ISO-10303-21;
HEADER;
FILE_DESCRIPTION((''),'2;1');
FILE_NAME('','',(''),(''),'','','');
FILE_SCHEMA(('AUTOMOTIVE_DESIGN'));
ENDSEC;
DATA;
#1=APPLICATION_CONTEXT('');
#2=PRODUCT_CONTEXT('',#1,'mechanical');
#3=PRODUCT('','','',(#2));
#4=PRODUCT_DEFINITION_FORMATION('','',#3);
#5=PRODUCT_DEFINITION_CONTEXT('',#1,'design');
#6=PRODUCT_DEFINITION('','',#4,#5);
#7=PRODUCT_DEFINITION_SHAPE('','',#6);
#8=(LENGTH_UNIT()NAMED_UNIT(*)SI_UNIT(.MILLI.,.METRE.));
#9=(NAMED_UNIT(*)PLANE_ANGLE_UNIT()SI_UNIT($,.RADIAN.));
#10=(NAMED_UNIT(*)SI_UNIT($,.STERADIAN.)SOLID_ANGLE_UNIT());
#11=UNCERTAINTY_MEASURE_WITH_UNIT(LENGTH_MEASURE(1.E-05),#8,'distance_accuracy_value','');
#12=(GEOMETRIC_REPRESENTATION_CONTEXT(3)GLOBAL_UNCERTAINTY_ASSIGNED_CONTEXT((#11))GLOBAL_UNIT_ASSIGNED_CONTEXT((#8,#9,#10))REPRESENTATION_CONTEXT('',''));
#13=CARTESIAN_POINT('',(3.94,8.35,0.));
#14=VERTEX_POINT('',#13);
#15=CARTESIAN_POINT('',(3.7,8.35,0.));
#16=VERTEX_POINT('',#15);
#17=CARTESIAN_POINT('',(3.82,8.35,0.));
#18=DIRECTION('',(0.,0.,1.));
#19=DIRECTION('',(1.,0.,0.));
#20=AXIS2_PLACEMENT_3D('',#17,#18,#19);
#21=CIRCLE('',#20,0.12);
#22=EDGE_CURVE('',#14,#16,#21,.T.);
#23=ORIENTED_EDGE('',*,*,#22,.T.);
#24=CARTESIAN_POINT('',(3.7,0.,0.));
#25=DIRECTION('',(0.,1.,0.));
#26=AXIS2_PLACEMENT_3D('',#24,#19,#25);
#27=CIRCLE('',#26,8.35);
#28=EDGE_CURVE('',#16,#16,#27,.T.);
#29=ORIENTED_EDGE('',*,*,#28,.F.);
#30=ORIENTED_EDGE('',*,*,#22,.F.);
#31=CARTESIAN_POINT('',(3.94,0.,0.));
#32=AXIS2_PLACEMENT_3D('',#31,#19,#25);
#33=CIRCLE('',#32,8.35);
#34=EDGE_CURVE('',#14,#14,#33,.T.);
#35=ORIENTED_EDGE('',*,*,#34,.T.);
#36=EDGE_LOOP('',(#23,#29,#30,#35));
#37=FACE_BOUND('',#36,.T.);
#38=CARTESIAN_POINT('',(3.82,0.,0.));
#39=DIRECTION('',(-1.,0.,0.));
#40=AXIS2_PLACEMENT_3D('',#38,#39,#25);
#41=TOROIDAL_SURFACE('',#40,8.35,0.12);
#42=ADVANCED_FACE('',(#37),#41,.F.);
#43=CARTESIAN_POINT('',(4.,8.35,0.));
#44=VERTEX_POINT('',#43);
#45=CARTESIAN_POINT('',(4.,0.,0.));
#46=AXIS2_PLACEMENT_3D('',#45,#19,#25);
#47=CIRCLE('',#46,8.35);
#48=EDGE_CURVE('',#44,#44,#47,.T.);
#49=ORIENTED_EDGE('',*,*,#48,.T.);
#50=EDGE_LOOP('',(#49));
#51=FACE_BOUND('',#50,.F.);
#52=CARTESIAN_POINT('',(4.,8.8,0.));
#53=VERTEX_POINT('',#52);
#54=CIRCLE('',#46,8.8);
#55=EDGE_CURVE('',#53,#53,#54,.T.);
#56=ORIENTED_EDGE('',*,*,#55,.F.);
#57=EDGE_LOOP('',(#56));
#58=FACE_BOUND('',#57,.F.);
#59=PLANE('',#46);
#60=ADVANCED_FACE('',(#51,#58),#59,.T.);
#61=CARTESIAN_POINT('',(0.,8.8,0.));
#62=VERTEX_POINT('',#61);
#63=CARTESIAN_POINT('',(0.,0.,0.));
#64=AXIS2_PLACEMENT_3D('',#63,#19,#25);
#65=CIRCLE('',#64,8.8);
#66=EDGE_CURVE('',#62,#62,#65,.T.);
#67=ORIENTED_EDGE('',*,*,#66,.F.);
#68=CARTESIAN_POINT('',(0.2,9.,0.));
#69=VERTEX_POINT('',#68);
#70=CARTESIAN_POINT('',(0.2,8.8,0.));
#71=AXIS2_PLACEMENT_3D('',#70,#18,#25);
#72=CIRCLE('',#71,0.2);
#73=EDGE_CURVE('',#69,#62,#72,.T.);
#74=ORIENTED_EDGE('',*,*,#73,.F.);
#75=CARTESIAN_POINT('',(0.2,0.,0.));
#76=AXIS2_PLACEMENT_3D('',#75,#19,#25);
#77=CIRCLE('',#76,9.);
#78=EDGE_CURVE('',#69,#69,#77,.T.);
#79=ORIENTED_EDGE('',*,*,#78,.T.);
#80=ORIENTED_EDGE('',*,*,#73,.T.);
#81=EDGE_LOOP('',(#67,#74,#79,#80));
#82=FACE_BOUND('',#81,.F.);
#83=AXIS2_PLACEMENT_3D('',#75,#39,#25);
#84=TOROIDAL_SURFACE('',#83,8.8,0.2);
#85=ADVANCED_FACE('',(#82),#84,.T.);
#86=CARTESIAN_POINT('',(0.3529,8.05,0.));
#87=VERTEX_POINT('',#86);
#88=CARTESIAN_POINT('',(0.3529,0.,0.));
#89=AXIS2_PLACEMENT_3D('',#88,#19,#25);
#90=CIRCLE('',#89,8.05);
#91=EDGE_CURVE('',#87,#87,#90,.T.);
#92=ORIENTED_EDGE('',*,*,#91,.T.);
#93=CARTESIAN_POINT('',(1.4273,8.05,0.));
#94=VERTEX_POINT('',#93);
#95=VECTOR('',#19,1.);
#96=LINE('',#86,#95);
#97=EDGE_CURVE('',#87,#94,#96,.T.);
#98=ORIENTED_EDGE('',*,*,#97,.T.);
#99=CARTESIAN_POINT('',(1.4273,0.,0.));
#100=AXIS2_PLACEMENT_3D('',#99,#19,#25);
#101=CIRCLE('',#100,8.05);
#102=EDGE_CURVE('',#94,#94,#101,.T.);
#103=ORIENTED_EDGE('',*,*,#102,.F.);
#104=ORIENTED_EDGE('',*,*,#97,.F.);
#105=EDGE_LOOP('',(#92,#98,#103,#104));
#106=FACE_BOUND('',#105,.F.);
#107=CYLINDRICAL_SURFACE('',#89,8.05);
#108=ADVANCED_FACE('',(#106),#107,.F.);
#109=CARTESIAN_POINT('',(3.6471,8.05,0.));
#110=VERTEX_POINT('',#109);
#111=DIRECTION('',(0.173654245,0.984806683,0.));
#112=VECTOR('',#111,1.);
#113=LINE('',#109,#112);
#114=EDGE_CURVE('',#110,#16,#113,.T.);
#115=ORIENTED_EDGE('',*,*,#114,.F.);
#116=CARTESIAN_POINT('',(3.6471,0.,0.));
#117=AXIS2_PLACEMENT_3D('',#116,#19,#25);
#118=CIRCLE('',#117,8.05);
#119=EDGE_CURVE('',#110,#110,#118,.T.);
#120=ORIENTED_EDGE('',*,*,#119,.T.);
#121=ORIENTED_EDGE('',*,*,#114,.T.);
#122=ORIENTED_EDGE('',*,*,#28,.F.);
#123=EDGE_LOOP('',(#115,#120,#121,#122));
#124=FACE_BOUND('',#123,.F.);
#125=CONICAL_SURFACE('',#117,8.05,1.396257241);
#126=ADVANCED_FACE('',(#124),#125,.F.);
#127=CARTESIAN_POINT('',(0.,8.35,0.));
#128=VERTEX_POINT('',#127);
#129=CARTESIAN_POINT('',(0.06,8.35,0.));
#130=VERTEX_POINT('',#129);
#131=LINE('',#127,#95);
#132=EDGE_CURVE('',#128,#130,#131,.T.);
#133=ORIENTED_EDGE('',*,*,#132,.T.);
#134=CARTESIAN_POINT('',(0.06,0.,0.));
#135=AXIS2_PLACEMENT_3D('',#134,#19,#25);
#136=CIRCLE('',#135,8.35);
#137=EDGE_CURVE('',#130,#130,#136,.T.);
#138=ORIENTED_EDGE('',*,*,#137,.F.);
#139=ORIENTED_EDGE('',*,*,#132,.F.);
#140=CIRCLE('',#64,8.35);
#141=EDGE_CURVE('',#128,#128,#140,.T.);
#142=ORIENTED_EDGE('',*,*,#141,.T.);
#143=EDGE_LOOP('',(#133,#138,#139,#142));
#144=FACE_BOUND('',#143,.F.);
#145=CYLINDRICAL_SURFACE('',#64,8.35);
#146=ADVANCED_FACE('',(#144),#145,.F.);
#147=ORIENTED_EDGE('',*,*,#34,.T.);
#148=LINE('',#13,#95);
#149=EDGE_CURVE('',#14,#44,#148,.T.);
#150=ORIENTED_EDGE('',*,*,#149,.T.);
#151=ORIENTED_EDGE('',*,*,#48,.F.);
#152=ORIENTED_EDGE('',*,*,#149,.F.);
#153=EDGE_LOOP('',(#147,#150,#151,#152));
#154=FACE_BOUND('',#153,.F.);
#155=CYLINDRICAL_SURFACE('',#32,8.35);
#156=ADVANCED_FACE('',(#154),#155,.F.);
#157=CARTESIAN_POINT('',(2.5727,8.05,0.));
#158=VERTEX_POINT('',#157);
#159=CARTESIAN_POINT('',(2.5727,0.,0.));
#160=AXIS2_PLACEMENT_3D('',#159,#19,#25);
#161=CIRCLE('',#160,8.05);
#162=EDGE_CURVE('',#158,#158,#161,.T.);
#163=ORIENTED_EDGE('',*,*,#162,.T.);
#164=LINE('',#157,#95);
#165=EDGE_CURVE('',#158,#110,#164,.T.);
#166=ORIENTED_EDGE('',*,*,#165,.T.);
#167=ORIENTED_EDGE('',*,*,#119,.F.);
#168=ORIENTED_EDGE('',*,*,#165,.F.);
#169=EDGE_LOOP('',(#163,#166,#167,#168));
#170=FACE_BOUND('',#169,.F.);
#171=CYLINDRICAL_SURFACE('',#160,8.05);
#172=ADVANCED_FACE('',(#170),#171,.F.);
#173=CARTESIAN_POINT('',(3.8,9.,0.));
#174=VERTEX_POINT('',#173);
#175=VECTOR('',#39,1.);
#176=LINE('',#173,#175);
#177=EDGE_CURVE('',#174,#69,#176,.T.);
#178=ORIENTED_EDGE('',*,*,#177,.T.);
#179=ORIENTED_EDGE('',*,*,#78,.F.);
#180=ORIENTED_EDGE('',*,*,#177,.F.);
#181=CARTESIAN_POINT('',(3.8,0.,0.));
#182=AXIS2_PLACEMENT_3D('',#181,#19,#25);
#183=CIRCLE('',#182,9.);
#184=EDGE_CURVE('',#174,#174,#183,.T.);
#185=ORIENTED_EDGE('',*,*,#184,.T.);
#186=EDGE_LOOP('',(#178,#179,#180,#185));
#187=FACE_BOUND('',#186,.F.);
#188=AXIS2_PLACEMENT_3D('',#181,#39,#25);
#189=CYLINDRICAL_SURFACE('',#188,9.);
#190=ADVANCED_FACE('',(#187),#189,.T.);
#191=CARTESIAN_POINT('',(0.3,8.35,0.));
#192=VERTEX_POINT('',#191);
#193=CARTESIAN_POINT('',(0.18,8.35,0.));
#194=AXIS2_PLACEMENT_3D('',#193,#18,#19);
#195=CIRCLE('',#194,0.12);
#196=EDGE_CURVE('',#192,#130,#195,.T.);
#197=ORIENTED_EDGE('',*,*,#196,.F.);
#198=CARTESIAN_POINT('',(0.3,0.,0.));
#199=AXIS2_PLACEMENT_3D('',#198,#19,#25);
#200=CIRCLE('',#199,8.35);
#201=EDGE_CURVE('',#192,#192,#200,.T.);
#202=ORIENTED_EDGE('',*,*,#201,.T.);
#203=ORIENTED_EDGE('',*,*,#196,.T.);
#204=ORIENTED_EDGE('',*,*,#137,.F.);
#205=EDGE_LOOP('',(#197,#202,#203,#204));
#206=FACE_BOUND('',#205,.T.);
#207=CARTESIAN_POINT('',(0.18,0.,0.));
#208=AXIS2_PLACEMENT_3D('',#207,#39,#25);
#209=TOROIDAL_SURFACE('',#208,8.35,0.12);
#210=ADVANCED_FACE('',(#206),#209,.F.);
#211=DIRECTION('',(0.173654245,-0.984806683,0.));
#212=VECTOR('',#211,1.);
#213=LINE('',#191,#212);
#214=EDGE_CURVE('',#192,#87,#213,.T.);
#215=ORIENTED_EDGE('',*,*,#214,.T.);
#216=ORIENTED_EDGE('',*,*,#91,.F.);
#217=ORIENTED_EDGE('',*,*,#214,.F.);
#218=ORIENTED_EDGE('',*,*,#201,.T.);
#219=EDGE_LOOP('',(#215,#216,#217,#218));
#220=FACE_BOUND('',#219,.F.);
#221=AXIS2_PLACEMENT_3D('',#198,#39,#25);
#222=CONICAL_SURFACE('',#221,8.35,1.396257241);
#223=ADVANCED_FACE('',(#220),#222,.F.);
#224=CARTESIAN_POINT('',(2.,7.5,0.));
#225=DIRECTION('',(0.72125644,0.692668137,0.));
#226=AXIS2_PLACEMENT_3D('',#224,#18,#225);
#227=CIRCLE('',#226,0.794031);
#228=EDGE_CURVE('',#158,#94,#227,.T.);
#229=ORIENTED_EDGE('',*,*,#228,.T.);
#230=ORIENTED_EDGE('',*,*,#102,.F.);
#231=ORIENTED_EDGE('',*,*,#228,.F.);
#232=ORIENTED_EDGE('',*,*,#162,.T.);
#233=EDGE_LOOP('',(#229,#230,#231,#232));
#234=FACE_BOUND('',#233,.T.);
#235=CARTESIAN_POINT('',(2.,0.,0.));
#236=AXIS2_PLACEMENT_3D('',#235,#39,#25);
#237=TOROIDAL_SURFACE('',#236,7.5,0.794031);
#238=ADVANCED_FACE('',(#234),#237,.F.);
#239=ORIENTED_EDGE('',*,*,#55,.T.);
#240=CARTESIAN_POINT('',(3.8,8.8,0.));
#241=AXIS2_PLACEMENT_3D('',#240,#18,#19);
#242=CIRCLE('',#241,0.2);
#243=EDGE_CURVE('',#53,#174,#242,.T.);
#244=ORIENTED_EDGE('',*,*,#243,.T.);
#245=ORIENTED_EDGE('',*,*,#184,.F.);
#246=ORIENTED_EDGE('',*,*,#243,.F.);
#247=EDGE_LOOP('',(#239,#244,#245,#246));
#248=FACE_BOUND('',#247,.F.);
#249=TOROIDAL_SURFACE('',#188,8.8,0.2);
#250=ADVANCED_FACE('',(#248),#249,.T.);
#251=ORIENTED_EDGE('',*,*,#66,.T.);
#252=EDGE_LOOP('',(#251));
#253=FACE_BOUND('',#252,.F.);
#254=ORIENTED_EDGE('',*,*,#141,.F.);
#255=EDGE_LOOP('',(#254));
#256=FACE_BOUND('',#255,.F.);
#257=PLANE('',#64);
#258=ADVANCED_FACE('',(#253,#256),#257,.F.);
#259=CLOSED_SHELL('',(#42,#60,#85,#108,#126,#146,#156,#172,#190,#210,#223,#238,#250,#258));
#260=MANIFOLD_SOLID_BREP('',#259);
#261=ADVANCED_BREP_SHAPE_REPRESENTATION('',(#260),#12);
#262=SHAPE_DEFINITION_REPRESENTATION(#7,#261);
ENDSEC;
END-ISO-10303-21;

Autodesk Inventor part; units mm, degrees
ref_plane "YZ Plane" through (0, 0, 0) normal (1, 0, 0) x (0, 1, 0)
ref_plane "XZ Plane" through (0, 0, 0) normal (0, 1, 0) x (-1, 0, 0)
ref_plane "XY Plane" through (0, 0, 0) normal (0, 0, 1) x (1, 0, 0)
sketch "Sketch_16" plane through (0, 0, 0) normal (0, 0, 1) x (1, 0, 0)
  line L0 (50, 0) -> (-50, 0)
  line L1 (0, 8.35) -> (0.06, 8.35)
  arc A0 (0.3, 8.35) -> (0.06, 8.35) centre (0.18, 8.35) ccw
  line L2 (0.3, 8.35) -> (0.3529, 8.05)
  line L3 (0.3529, 8.05) -> (1.4273, 8.05)
  arc A1 (2.5727, 8.05) -> (1.4273, 8.05) centre (2, 7.5) ccw
  line L4 (2.5727, 8.05) -> (3.6471, 8.05)
  line L5 (3.6471, 8.05) -> (3.7, 8.35)
  arc A2 (3.94, 8.35) -> (3.7, 8.35) centre (3.82, 8.35) ccw
  line L6 (3.94, 8.35) -> (4, 8.35)
  line L7 (4, 8.35) -> (4, 8.8)
  arc A3 (4, 8.8) -> (3.8, 9) centre (3.8, 8.8) ccw
  line L8 (3.8, 9) -> (0.2, 9)
  arc A4 (0.2, 9) -> (0, 8.8) centre (0.2, 8.8) ccw
  line L9 (0, 8.8) -> (0, 8.35)
revolve "Revolution1" add sketch "Sketch_16" angle 360 about axis through (50, 0, 0) along (1, 0, 0)
properties part number "SKF_W 61701-2RS1_PART2"
